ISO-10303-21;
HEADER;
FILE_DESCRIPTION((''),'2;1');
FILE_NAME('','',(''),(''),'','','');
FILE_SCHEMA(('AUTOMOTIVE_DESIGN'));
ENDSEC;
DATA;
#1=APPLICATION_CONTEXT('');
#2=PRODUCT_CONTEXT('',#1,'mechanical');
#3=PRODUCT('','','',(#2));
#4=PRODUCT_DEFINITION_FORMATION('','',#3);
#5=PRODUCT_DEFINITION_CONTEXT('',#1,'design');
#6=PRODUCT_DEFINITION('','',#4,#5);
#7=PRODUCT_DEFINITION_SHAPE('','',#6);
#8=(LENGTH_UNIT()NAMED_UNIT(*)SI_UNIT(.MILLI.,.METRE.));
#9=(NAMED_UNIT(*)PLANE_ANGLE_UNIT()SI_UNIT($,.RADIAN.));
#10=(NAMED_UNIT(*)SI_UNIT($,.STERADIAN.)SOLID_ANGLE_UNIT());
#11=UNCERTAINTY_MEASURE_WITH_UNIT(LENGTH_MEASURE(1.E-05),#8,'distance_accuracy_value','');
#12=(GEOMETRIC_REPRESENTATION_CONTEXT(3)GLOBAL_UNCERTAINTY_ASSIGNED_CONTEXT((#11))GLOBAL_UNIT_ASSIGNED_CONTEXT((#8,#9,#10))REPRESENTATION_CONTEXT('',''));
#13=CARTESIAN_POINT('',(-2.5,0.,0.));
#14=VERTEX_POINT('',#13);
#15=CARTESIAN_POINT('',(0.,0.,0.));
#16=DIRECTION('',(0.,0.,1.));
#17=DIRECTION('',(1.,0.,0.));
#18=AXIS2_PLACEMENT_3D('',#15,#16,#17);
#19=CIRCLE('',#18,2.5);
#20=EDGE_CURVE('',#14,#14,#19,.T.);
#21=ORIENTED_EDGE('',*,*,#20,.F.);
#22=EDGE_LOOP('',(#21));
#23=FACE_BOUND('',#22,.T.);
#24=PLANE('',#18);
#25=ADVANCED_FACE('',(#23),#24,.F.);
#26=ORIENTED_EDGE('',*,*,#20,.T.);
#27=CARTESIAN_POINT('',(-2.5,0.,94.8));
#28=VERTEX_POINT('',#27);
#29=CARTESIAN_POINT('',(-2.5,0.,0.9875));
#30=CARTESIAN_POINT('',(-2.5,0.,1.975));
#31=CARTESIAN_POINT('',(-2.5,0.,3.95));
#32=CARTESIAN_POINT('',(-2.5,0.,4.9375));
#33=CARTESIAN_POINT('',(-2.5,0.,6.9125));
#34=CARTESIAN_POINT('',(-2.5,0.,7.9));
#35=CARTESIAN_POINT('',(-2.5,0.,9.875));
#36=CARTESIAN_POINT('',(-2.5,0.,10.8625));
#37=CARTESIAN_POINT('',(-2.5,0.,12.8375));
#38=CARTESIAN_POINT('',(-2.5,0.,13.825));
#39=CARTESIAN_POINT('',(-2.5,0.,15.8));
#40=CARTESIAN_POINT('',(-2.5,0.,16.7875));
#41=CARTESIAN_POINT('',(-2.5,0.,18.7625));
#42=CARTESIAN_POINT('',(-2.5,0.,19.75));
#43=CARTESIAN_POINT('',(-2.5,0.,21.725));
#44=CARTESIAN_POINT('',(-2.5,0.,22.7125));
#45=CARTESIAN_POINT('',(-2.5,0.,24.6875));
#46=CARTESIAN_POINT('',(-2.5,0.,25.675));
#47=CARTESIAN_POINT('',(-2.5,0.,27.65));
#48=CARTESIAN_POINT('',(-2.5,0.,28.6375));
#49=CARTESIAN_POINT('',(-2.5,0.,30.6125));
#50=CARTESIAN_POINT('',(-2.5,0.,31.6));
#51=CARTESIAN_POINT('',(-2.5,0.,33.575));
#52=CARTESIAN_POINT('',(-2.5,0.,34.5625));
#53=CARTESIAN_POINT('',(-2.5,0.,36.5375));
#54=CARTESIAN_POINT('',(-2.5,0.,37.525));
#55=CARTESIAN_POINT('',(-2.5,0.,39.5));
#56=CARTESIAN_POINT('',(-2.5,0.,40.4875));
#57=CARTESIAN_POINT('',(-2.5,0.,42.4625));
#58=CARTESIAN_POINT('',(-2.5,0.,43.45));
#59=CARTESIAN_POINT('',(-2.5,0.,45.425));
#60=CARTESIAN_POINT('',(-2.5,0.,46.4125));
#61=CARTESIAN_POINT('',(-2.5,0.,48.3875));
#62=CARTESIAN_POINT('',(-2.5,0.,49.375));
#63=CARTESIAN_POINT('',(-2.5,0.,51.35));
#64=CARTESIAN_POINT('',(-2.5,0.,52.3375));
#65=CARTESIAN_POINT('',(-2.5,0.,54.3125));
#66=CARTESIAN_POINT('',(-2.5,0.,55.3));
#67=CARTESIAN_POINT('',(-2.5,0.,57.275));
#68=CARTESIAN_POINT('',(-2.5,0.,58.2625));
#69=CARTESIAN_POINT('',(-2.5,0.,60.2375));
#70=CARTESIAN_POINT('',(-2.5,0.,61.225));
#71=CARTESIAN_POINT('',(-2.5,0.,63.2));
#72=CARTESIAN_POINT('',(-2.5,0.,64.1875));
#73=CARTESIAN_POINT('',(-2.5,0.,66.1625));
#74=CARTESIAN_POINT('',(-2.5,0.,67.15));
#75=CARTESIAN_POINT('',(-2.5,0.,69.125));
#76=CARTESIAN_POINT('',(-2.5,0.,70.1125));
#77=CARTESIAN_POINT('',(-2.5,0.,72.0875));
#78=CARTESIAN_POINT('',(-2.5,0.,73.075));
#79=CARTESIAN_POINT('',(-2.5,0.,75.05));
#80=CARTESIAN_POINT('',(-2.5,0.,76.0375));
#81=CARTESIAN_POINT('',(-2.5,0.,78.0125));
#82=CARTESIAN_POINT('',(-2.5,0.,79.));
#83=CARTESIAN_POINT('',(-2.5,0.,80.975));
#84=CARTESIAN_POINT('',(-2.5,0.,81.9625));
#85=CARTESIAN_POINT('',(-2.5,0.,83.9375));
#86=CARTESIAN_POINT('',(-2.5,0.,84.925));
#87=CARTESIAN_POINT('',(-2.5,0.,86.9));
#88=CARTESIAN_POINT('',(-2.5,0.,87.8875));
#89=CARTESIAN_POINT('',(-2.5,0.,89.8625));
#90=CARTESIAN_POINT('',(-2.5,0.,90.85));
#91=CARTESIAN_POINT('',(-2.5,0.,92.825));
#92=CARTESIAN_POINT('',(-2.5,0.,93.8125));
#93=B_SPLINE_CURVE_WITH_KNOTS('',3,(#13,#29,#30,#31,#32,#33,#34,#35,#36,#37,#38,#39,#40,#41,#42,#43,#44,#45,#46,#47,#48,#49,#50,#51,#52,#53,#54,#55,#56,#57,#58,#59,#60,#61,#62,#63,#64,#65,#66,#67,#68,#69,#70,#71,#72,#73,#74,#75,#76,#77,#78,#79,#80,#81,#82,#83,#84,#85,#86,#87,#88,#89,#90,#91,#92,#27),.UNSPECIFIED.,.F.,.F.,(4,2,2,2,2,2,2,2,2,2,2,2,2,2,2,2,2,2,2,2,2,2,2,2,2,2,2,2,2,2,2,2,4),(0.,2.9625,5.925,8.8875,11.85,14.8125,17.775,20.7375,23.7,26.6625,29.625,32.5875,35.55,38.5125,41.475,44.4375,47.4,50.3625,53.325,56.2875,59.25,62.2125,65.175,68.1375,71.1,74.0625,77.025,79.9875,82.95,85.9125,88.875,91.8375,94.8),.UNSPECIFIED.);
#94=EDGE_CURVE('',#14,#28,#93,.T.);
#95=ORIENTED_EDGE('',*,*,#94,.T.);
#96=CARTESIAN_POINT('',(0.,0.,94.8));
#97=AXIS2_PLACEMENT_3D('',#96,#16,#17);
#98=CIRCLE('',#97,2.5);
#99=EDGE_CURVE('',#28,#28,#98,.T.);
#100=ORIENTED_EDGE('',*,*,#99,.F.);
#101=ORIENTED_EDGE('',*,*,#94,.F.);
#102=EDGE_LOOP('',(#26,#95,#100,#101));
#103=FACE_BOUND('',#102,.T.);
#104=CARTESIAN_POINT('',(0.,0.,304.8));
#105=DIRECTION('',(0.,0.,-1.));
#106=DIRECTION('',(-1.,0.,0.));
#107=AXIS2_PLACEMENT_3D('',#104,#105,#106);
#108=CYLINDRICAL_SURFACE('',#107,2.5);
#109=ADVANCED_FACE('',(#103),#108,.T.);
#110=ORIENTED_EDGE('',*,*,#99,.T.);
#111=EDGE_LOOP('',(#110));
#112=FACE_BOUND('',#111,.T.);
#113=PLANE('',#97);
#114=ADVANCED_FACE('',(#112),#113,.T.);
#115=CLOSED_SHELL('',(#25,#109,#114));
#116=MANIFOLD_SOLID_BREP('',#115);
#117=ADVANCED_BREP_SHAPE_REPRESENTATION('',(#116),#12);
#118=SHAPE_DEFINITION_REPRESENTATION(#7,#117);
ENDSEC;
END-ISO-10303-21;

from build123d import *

# Parameters (mm, degrees)
SKETCH1_R           = 2.5
BOSS_EXTRUDE1_DEPTH = 304.8
CUT_EXTRUDE1_START  = -210
SKETCH2_R           = 2.5
CUT_EXTRUDE1_DEPTH  = 210


with BuildPart() as part:
    # Sketch1 → Boss-Extrude1 (new body)
    with BuildSketch(Plane.XY):
        with Locations(Location((0, 0, 0), (0, 0, 180))):
            Circle(SKETCH1_R)
    extrude(amount=BOSS_EXTRUDE1_DEPTH)

    # Sketch2 → Cut-Extrude1 (cut)
    with BuildSketch(Plane.XY.offset(304.8).offset(CUT_EXTRUDE1_START)):
        with Locations(Location((0, 0, 0), (0, 0, 180))):
            Circle(SKETCH2_R)
    extrude(amount=CUT_EXTRUDE1_DEPTH, mode=Mode.SUBTRACT)


solid = part.part
